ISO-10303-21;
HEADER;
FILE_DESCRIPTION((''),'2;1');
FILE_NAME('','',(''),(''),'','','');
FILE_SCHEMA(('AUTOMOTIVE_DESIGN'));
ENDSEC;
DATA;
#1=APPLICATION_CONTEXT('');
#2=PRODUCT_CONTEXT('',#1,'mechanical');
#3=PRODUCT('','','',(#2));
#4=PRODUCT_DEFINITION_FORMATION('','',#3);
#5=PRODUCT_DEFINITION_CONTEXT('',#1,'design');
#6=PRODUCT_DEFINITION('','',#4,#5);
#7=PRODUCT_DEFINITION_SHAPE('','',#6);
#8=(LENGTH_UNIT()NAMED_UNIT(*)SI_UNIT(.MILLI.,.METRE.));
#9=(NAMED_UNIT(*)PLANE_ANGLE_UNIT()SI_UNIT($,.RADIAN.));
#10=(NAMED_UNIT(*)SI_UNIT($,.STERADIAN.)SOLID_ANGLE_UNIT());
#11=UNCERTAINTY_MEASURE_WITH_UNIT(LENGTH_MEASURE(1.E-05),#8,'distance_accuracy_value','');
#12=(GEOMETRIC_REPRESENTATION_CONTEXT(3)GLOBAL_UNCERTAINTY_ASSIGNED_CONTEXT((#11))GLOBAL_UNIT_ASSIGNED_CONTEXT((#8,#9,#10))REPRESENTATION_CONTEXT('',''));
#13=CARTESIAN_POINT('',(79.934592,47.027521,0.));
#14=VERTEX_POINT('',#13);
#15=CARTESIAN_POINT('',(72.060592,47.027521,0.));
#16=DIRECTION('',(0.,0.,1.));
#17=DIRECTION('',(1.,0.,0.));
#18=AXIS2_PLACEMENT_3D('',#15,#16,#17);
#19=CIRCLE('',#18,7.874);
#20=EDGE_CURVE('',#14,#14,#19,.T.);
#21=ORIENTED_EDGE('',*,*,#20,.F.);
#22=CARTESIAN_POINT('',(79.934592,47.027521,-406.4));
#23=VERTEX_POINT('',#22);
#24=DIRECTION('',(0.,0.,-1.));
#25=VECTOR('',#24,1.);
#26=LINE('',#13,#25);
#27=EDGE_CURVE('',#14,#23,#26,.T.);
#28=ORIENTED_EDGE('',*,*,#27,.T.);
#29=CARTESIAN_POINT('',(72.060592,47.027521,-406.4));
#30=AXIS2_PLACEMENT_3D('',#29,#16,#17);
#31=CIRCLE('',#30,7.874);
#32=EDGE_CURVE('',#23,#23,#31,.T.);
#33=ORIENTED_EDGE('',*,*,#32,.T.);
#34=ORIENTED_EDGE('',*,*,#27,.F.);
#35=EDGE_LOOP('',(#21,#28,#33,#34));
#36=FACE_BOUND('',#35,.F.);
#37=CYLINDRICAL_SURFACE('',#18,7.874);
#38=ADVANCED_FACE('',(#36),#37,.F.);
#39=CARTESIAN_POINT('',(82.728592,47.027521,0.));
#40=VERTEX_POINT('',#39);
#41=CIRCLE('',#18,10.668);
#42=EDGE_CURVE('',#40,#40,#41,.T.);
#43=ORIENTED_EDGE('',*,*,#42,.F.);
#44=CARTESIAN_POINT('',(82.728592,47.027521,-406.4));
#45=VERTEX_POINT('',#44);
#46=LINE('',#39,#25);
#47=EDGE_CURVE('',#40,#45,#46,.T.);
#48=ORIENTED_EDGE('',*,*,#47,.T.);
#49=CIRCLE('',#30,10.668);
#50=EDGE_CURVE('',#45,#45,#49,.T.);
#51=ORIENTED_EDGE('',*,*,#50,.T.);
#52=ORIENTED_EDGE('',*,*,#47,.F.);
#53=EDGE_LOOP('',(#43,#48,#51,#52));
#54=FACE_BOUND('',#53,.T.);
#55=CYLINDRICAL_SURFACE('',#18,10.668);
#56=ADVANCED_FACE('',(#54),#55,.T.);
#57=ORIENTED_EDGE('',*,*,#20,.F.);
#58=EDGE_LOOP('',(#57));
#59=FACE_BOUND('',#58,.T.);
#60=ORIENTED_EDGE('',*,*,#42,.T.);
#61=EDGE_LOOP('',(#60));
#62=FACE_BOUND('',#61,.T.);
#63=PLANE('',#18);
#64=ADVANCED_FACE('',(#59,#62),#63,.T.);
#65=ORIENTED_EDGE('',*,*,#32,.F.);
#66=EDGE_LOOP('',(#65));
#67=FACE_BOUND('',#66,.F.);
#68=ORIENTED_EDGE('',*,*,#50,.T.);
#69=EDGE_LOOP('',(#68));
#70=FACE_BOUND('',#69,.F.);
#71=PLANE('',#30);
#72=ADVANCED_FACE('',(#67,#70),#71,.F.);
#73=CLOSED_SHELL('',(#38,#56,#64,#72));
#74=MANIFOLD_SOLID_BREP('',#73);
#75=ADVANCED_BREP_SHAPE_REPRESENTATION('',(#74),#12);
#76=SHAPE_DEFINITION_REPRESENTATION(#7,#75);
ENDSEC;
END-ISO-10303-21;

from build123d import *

# Parameters (mm, degrees)
F1_R     = 10.668
F1_R_2   = 7.874
F2_DEPTH = 406.4


with BuildPart() as f2:
    # F1 (on face) → F2 (new body)
    with BuildSketch(Plane.XY):
        with Locations((72.060592, 47.027521)):
            Circle(F1_R)
        with Locations((72.060592, 47.027521)):
            Circle(F1_R_2, mode=Mode.SUBTRACT)
    extrude(amount=-F2_DEPTH)


solid = f2.part
